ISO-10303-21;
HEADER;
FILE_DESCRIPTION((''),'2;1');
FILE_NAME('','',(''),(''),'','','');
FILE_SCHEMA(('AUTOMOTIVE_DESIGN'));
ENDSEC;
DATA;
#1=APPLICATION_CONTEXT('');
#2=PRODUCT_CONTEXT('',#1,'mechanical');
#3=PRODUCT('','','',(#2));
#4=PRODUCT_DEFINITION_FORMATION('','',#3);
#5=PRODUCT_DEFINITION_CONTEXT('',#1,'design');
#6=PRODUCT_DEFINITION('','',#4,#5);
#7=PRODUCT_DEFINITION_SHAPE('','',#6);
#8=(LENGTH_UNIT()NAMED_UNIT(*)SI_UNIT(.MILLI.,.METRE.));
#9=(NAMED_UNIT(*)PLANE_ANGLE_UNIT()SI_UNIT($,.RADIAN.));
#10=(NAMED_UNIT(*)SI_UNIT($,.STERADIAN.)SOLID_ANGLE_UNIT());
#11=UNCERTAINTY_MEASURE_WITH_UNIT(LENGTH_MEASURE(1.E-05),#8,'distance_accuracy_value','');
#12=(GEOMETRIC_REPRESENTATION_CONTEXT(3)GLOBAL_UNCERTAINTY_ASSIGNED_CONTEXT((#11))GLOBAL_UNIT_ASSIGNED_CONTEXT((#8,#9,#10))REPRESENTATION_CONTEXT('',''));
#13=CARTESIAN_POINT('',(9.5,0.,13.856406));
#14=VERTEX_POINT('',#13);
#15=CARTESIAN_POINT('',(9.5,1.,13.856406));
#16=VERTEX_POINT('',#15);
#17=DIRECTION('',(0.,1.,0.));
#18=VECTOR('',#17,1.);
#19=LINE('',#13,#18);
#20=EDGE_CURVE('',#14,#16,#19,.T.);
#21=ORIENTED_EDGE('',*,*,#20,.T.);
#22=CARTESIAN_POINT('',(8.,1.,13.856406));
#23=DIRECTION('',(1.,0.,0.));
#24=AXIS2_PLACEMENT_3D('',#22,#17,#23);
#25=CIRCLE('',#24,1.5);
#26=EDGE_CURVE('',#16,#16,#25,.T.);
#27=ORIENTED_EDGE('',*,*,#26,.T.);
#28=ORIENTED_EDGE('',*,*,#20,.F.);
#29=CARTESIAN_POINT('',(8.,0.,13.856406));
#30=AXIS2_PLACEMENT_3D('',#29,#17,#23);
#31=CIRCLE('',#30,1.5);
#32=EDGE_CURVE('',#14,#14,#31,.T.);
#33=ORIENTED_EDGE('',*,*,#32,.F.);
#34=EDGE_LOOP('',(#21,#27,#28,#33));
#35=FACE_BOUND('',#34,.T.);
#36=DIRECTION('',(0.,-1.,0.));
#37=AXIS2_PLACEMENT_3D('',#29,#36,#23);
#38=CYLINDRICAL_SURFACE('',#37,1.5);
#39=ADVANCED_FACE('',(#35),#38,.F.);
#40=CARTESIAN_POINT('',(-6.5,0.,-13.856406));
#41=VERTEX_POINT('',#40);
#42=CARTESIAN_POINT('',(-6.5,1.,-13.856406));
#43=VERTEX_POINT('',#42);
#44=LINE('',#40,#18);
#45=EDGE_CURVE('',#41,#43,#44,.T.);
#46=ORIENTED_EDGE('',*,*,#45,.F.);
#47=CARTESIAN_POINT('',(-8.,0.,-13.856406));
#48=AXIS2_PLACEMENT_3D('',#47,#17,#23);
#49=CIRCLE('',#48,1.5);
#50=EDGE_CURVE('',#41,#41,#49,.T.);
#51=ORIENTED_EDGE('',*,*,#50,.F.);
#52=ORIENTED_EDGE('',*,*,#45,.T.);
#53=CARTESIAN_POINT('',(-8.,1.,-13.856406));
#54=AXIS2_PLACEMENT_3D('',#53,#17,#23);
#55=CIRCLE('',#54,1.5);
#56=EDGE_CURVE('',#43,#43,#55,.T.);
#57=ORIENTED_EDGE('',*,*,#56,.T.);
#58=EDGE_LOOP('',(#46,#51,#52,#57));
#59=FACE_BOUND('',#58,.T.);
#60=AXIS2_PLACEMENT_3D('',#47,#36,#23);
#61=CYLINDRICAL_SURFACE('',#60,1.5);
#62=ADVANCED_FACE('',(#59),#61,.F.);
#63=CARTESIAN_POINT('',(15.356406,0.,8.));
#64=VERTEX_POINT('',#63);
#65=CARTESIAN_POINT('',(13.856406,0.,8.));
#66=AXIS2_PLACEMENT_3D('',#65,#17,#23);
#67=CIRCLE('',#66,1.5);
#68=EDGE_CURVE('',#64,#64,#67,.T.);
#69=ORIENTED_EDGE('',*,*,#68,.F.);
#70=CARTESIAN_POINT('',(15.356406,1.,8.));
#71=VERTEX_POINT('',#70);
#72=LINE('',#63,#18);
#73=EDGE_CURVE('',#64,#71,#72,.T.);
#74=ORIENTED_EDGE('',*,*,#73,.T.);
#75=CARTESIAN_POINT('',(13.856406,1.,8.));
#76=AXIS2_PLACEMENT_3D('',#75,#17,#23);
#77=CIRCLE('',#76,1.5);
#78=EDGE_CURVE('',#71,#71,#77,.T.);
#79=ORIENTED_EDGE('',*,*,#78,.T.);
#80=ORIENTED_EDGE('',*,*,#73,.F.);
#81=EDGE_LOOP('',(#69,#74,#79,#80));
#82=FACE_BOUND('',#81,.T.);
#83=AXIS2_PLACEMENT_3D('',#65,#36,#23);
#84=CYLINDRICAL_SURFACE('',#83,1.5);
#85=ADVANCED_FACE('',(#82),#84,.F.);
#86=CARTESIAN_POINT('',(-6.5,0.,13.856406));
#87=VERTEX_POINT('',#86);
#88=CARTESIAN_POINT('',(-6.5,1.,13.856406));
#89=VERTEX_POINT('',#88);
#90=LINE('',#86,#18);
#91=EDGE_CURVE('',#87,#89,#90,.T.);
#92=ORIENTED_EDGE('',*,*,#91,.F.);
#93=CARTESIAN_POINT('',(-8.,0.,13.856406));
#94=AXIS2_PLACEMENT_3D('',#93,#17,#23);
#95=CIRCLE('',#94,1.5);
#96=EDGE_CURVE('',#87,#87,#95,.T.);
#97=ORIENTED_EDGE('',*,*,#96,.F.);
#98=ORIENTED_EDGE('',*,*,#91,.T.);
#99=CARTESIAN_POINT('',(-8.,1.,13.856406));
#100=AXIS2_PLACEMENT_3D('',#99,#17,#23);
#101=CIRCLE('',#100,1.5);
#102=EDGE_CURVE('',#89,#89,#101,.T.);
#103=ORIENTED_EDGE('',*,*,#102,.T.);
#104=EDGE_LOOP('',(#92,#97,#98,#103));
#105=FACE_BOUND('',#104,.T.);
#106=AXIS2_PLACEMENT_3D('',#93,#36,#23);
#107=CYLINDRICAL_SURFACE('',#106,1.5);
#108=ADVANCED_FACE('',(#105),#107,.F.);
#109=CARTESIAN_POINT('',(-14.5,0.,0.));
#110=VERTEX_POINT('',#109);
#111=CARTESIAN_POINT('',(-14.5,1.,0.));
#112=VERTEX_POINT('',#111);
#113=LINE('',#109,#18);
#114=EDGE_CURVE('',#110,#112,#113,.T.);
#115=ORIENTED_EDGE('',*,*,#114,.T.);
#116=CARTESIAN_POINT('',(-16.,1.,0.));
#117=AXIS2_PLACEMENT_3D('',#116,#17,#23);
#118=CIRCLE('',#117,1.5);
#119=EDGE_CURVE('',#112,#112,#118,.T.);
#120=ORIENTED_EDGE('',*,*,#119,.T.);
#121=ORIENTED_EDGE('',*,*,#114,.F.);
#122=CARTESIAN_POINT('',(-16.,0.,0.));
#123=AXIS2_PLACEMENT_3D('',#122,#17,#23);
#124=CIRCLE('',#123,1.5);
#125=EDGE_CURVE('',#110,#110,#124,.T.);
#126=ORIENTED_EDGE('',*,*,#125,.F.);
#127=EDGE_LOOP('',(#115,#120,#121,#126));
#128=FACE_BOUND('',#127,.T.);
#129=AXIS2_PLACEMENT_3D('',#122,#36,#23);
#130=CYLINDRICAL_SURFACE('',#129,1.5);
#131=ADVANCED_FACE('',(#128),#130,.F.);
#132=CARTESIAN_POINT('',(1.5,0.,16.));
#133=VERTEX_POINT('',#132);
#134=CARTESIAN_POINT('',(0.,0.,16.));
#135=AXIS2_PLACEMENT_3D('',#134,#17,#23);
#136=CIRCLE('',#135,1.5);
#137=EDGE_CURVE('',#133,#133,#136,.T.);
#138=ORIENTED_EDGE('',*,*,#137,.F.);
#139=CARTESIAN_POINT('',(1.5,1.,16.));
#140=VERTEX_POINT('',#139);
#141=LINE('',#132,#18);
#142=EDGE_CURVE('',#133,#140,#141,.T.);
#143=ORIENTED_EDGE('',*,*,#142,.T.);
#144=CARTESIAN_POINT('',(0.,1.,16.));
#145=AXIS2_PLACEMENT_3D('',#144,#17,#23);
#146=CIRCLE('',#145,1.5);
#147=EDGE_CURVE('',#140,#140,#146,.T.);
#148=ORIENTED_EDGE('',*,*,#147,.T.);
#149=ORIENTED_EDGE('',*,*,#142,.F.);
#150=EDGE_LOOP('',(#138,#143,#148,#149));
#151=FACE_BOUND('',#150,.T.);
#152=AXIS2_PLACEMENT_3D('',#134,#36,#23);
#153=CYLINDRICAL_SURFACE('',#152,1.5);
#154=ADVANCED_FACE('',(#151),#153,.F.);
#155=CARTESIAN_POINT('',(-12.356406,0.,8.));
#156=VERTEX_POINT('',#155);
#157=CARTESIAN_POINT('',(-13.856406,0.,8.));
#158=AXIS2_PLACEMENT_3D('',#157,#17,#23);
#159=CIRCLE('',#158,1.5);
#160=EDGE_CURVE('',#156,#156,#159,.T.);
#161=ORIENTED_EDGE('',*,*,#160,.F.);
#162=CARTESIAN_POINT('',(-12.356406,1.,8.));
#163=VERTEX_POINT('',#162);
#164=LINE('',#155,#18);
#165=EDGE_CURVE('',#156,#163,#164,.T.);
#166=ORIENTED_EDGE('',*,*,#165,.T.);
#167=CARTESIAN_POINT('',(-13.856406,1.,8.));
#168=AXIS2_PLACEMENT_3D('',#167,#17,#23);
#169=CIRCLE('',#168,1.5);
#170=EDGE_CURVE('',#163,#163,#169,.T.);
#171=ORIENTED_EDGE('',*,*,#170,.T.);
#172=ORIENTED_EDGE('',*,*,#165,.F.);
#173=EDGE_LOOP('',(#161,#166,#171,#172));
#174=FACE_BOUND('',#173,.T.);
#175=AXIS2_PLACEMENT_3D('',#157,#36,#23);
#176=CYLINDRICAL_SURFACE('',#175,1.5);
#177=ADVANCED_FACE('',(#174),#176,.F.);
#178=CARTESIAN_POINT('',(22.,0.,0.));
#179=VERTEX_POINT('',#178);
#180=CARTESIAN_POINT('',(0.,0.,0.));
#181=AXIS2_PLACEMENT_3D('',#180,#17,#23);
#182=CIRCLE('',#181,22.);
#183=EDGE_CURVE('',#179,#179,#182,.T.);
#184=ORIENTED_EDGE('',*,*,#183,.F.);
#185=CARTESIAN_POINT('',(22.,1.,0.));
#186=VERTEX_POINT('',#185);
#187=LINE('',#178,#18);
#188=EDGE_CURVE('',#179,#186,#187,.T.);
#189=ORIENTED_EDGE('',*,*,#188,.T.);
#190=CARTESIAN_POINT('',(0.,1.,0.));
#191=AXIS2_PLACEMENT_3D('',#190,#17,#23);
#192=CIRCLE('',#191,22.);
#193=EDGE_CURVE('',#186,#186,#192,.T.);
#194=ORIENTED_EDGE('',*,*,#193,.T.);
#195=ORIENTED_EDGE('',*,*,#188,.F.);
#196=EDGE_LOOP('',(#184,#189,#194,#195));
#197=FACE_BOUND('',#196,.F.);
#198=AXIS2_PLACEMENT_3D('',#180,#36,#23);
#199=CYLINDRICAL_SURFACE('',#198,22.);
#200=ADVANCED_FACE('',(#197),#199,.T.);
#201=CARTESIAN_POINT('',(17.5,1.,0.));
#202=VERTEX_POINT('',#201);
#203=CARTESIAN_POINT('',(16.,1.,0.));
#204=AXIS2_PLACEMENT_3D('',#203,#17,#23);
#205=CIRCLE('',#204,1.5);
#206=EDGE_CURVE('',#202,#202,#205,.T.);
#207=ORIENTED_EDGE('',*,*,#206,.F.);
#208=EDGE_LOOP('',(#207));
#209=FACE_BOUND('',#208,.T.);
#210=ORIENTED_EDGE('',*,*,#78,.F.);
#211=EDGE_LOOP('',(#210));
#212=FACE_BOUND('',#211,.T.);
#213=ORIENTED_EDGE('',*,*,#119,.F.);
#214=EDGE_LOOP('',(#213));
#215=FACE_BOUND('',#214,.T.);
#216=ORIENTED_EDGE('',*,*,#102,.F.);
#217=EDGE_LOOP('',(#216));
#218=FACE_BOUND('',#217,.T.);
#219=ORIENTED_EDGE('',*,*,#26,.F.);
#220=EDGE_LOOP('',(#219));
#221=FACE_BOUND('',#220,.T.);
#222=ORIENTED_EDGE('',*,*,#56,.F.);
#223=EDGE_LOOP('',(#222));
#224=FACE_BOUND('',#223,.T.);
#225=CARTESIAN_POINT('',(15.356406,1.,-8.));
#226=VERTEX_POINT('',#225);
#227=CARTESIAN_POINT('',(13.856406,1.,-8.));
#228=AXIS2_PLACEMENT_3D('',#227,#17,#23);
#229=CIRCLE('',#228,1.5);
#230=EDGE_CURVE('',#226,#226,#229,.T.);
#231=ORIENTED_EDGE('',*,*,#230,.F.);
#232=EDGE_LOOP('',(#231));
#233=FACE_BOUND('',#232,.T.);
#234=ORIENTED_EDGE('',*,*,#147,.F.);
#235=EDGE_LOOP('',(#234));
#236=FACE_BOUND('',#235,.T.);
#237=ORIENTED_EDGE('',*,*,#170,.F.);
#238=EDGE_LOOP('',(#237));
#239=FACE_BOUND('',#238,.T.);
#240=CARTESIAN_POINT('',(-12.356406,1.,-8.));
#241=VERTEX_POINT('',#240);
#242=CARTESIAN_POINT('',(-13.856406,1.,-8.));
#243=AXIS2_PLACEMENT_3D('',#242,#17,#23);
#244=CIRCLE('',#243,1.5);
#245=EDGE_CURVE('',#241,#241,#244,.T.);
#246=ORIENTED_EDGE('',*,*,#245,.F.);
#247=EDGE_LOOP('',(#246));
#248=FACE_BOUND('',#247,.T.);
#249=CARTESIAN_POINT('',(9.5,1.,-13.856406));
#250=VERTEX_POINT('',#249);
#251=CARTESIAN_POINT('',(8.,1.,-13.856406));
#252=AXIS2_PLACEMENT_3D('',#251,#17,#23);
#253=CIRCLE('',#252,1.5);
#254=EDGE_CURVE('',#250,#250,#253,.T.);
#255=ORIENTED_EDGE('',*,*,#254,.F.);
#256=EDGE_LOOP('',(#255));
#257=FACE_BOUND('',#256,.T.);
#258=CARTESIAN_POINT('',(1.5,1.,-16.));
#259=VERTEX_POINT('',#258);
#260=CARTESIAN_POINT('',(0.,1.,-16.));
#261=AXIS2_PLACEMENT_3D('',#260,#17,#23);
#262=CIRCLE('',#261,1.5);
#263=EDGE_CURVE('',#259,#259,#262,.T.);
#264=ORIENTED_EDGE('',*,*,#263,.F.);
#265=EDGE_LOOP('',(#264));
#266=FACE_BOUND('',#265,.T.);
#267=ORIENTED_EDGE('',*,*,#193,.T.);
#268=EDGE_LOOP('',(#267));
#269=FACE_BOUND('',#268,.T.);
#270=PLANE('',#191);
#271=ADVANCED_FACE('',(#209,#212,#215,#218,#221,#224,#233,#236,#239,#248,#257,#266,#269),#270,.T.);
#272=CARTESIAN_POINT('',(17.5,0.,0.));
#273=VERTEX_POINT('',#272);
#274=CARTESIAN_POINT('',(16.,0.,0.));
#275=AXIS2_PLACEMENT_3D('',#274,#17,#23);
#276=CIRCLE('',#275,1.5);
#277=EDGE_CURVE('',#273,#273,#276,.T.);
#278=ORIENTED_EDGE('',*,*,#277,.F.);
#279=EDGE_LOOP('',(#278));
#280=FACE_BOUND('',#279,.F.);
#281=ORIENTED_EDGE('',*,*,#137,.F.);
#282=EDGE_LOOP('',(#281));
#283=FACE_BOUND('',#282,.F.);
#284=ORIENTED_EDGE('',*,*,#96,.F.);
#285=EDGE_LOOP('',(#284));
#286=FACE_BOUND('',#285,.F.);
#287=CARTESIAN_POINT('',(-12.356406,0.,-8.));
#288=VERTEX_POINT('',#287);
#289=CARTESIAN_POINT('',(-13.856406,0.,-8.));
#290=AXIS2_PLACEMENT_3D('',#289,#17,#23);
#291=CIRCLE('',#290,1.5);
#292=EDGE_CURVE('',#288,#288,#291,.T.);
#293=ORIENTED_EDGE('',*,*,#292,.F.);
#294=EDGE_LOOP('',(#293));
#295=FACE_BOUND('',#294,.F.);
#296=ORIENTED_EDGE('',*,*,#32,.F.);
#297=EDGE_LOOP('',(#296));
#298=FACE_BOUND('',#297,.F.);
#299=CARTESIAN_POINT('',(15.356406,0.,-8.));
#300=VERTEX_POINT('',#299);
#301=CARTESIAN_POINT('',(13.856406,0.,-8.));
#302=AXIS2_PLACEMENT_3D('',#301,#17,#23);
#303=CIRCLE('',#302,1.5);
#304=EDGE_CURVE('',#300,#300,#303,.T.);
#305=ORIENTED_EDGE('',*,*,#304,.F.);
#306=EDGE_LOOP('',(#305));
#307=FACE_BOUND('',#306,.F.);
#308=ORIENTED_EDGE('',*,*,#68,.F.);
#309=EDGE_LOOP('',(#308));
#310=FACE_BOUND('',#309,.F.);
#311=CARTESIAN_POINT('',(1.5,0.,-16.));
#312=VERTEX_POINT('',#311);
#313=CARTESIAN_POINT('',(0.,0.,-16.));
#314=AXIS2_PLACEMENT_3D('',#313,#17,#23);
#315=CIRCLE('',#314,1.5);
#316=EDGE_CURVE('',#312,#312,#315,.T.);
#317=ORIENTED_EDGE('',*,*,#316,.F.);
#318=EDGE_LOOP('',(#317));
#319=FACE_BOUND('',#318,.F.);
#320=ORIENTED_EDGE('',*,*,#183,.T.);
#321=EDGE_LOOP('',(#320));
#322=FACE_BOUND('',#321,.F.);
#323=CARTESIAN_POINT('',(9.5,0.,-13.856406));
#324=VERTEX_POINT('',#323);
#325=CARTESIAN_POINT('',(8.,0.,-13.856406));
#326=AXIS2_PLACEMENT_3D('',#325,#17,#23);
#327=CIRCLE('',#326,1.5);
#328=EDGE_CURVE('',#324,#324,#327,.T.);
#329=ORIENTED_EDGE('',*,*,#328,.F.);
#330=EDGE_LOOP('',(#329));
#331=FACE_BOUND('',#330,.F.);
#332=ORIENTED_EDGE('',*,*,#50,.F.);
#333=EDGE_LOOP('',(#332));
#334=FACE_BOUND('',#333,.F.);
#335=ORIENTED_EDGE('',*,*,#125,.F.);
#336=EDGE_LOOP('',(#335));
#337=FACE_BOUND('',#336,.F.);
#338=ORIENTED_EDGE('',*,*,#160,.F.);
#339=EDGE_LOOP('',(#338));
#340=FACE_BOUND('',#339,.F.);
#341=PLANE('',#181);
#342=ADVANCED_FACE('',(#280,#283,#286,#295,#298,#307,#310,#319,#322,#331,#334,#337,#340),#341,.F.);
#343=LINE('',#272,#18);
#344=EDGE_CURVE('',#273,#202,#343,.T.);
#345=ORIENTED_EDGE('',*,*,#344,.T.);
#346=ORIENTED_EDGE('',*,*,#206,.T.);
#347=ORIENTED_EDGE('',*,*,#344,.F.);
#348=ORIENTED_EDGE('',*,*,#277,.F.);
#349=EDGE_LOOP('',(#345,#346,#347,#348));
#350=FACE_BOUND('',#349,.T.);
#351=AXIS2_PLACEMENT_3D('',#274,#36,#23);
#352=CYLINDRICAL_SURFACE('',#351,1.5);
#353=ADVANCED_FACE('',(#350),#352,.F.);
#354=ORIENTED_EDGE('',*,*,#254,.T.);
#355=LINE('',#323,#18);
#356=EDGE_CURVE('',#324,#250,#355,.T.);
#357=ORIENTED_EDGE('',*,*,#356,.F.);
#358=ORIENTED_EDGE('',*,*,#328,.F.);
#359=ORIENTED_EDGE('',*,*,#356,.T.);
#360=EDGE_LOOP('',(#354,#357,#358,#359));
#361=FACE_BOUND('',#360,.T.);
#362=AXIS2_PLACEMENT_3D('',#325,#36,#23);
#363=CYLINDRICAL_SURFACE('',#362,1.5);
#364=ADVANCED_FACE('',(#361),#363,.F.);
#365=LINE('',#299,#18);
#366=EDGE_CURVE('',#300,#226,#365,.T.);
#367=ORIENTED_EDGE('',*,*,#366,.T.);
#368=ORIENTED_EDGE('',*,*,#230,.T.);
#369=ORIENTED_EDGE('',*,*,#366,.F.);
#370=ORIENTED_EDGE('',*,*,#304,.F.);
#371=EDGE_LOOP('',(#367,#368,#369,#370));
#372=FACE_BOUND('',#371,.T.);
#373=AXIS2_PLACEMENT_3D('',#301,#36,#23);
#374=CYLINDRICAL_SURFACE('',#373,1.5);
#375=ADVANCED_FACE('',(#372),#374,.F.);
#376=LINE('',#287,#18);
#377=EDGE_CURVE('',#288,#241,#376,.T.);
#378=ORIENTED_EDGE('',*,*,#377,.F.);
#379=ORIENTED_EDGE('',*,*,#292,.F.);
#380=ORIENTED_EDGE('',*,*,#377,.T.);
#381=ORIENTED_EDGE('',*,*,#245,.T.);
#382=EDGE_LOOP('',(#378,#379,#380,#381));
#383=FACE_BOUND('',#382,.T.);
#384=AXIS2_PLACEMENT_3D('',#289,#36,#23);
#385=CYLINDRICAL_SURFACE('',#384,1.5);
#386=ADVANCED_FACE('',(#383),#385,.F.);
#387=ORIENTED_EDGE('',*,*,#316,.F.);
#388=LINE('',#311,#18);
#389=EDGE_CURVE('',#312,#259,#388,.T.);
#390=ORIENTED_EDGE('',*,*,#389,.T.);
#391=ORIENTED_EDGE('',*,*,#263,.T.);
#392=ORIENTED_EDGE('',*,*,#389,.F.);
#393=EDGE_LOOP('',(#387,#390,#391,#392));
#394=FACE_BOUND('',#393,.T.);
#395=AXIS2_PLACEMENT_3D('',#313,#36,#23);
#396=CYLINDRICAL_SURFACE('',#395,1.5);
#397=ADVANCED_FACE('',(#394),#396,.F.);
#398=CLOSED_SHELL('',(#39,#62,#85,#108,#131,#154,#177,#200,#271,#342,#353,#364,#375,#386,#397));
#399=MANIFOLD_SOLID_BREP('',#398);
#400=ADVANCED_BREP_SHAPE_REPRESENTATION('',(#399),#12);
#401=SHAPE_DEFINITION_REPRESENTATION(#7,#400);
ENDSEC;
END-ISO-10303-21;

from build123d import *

# Parameters (mm, degrees)
SKETCH1_R           = 22
SKETCH1_R_2         = 1.5
BOSS_EXTRUDE1_DEPTH = 1


with BuildPart() as part:
    # Sketch1 → Boss-Extrude1 (new body)
    with BuildSketch(Plane(origin=(0, 0, 0), x_dir=(1, 0, 0), z_dir=(0, 1, 0))):
        Circle(SKETCH1_R)
        with Locations((0, 16)):
            Circle(SKETCH1_R_2, mode=Mode.SUBTRACT)
        with Locations((8, 13.856406461)):
            Circle(SKETCH1_R_2, mode=Mode.SUBTRACT)
        with Locations((13.856406461, 8)):
            Circle(SKETCH1_R_2, mode=Mode.SUBTRACT)
        with Locations((16, 0)):
            Circle(SKETCH1_R_2, mode=Mode.SUBTRACT)
        with Locations((13.856406461, -8)):
            Circle(SKETCH1_R_2, mode=Mode.SUBTRACT)
        with Locations((8, -13.856406461)):
            Circle(SKETCH1_R_2, mode=Mode.SUBTRACT)
        with Locations((0, -16)):
            Circle(SKETCH1_R_2, mode=Mode.SUBTRACT)
        with Locations((-8, -13.856406461)):
            Circle(SKETCH1_R_2, mode=Mode.SUBTRACT)
        with Locations((-13.856406461, -8)):
            Circle(SKETCH1_R_2, mode=Mode.SUBTRACT)
        with Locations((-16, 0)):
            Circle(SKETCH1_R_2, mode=Mode.SUBTRACT)
        with Locations((-13.856406461, 8)):
            Circle(SKETCH1_R_2, mode=Mode.SUBTRACT)
        with Locations((-8, 13.856406461)):
            Circle(SKETCH1_R_2, mode=Mode.SUBTRACT)
    extrude(amount=BOSS_EXTRUDE1_DEPTH)


solid = part.part
